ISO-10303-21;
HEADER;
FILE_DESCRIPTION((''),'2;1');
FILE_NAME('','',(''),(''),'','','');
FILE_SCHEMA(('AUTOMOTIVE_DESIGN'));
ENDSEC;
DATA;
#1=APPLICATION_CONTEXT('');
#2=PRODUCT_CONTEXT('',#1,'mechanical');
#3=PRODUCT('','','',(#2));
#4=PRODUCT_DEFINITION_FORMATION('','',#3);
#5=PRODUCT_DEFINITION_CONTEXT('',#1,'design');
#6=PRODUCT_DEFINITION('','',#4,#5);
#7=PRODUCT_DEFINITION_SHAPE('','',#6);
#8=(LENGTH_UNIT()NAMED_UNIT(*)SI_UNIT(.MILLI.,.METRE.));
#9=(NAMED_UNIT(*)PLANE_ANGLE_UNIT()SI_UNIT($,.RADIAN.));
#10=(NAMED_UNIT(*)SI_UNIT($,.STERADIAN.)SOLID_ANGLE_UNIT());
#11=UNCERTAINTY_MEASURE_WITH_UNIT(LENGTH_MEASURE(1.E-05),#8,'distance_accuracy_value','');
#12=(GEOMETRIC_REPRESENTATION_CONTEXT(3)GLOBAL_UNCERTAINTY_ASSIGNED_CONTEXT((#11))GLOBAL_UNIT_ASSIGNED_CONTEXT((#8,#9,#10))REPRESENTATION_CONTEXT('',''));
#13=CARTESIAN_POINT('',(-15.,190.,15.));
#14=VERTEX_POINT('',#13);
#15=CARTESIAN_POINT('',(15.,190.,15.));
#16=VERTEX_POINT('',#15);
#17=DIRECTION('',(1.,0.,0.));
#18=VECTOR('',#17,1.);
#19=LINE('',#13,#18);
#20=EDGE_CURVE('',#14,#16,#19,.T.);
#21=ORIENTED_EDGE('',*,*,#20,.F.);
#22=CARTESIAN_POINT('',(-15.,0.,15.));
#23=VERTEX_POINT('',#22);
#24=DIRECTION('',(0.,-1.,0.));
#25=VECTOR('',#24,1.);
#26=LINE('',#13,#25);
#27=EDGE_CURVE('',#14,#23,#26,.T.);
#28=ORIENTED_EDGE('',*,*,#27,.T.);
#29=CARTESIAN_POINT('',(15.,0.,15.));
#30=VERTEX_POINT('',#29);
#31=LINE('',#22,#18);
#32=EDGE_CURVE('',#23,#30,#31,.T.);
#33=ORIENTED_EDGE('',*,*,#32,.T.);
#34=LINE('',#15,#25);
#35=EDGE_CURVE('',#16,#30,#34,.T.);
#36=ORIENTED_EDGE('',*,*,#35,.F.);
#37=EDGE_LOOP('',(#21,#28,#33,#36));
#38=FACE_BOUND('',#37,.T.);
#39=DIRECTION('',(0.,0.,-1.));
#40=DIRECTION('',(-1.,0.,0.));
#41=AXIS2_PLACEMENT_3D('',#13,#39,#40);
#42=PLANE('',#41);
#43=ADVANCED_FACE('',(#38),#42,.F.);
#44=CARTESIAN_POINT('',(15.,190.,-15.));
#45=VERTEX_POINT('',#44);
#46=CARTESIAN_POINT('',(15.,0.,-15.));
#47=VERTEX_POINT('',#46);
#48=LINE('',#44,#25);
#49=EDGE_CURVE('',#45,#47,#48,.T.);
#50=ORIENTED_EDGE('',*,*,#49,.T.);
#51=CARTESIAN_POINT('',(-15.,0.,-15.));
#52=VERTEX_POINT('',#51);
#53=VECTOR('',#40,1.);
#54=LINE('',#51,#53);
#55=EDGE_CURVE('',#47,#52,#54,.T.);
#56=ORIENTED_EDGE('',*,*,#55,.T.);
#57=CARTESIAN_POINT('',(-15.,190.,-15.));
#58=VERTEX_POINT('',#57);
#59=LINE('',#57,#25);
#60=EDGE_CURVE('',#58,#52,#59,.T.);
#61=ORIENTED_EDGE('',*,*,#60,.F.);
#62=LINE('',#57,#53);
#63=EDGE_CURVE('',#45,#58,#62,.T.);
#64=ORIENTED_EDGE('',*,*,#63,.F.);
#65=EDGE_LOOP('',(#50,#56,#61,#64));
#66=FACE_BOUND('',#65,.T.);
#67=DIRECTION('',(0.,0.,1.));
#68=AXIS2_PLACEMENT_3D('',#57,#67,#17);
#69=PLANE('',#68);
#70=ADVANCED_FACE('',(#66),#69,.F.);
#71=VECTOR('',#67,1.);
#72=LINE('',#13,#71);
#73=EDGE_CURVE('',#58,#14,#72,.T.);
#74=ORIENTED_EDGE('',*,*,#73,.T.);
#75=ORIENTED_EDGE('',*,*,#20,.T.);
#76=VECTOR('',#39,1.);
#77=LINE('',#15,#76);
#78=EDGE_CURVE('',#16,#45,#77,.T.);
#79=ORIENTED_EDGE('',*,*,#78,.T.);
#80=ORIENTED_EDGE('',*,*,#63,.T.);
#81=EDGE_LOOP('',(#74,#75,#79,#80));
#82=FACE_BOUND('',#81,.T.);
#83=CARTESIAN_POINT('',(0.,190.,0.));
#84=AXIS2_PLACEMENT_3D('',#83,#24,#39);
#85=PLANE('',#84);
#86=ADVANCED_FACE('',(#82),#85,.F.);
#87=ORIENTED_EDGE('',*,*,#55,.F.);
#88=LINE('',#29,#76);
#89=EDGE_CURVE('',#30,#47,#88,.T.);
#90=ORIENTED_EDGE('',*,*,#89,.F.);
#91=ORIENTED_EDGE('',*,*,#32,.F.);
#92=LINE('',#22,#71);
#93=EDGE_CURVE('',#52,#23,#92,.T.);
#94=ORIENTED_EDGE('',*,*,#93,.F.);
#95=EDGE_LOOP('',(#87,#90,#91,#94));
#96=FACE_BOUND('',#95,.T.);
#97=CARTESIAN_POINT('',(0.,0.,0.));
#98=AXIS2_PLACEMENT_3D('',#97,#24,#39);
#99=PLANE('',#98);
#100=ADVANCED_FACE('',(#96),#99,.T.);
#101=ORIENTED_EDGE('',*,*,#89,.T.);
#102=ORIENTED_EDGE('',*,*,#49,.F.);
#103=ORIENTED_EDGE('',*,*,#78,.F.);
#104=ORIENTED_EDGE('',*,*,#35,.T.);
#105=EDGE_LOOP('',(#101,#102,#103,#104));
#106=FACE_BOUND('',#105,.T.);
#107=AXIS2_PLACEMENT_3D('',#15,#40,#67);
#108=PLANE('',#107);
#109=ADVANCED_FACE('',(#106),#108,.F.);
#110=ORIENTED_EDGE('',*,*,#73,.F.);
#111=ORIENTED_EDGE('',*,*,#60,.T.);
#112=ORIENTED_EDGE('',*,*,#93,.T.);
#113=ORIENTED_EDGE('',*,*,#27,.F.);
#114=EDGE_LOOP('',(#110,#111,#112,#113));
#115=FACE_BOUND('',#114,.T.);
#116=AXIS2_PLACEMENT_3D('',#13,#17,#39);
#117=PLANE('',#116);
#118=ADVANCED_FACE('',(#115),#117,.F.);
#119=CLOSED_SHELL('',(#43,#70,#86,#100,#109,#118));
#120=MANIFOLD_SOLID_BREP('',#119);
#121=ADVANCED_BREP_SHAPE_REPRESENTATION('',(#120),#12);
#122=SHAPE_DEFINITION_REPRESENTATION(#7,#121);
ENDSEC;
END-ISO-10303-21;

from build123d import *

# Parameters (mm, degrees)
SKETCH1_W           = 30
SKETCH1_H           = 30
BOSS_EXTRUDE1_DEPTH = 190


with BuildPart() as part:
    # Sketch1 → Boss-Extrude1 (new body)
    with BuildSketch(Plane(origin=(0, 0, 0), x_dir=(1, 0, 0), z_dir=(0, 1, 0))):
        Rectangle(SKETCH1_W, SKETCH1_H)
    extrude(amount=BOSS_EXTRUDE1_DEPTH)


solid = part.part
